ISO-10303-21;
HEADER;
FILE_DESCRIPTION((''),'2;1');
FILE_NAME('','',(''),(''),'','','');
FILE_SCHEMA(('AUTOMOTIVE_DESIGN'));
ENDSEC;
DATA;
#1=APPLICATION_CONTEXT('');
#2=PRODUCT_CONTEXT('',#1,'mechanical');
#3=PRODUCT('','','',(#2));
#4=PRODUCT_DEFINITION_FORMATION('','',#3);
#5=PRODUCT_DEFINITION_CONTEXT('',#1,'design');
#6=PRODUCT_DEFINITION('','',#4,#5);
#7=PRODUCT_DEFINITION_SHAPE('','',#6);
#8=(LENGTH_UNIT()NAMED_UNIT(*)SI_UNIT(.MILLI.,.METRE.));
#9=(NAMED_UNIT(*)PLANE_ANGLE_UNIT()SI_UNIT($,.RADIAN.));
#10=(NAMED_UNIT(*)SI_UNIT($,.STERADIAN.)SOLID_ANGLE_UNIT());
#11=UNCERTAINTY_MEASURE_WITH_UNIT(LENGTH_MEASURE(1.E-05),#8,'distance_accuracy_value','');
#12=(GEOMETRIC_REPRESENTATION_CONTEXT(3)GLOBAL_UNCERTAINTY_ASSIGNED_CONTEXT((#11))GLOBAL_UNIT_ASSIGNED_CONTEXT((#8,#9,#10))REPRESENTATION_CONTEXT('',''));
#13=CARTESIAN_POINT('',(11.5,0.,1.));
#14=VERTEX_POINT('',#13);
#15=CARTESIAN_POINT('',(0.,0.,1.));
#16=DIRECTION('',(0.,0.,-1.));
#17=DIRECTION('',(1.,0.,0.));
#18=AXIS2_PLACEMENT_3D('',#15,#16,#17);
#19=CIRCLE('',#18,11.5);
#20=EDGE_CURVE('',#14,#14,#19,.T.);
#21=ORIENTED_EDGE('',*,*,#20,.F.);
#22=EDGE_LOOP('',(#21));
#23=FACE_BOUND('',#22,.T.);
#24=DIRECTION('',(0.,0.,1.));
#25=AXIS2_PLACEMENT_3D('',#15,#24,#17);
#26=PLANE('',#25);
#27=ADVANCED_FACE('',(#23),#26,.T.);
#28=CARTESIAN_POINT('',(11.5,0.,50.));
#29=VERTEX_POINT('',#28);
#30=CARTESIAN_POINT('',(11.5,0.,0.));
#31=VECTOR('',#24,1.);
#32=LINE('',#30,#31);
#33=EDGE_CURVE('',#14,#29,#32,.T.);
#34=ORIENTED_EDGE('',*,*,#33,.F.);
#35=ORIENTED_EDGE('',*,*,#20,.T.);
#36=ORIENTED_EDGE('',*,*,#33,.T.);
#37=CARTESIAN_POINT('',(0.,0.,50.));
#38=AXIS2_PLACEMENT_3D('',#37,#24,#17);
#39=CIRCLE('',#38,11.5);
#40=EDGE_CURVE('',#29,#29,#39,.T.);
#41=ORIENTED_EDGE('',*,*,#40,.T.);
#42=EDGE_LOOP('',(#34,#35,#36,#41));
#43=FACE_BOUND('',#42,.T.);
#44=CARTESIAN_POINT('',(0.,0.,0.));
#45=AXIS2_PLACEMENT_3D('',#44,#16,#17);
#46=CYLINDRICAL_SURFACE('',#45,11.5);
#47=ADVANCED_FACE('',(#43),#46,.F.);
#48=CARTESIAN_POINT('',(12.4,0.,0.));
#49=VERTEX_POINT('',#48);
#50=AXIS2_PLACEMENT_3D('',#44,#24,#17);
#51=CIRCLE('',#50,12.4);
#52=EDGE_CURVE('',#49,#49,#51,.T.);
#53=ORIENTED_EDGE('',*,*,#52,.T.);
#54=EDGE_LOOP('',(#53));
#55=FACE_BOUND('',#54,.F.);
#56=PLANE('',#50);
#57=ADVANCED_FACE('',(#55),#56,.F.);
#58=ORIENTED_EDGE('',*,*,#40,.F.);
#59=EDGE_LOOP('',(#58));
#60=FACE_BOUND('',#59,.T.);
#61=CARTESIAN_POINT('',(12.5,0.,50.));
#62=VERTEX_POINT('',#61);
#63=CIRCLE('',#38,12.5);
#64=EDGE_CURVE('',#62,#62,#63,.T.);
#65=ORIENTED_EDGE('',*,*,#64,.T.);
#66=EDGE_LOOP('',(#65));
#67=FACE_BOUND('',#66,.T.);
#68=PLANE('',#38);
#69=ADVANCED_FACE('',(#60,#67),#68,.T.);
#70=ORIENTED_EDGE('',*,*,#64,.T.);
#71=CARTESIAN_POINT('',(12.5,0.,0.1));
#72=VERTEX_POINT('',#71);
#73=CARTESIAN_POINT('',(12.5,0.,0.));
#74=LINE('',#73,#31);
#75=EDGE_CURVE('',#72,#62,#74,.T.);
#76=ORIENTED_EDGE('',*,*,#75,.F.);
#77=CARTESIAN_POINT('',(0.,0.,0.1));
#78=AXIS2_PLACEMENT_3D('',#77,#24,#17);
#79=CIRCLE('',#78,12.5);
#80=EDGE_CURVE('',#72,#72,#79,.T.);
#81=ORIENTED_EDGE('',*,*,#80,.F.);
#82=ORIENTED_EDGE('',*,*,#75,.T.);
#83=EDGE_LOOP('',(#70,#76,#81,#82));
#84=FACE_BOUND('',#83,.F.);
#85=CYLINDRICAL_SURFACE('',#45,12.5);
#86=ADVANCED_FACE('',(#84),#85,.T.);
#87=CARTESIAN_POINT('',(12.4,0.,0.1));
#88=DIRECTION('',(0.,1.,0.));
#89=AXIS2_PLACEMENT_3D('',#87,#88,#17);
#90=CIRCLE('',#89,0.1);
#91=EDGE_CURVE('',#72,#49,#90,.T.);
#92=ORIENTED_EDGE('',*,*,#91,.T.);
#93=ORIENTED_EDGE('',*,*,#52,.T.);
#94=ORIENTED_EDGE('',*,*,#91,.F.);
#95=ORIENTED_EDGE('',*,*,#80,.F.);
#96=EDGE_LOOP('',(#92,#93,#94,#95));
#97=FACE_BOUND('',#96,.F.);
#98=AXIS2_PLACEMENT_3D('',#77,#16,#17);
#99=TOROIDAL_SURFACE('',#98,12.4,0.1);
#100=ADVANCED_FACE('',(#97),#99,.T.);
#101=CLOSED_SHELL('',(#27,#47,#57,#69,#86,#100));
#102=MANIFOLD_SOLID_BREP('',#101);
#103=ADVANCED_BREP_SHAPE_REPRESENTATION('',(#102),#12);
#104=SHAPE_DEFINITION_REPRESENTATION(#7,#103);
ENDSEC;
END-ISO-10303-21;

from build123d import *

# Parameters (mm, degrees)
F0_R     = 12.5
F1_DEPTH = 50
F2_T     = -1
F3_R     = 0.1


with BuildPart() as f1:
    # F0 (on Top) → F1 (new body)
    with BuildSketch(Plane.XY):
        Circle(F0_R)
    extrude(amount=F1_DEPTH)

    # F2
    f2_openings = [f1.faces().sort_by_distance(p)[0] for p in [
        (0, 0, 50),
    ]]
    offset(amount=F2_T, openings=f2_openings)

    # F3
    f3_edges = [f1.edges().sort_by_distance(p)[0] for p in [
        (-12.5, 0, 0),
    ]]
    fillet(f3_edges, radius=F3_R)


solid = f1.part
